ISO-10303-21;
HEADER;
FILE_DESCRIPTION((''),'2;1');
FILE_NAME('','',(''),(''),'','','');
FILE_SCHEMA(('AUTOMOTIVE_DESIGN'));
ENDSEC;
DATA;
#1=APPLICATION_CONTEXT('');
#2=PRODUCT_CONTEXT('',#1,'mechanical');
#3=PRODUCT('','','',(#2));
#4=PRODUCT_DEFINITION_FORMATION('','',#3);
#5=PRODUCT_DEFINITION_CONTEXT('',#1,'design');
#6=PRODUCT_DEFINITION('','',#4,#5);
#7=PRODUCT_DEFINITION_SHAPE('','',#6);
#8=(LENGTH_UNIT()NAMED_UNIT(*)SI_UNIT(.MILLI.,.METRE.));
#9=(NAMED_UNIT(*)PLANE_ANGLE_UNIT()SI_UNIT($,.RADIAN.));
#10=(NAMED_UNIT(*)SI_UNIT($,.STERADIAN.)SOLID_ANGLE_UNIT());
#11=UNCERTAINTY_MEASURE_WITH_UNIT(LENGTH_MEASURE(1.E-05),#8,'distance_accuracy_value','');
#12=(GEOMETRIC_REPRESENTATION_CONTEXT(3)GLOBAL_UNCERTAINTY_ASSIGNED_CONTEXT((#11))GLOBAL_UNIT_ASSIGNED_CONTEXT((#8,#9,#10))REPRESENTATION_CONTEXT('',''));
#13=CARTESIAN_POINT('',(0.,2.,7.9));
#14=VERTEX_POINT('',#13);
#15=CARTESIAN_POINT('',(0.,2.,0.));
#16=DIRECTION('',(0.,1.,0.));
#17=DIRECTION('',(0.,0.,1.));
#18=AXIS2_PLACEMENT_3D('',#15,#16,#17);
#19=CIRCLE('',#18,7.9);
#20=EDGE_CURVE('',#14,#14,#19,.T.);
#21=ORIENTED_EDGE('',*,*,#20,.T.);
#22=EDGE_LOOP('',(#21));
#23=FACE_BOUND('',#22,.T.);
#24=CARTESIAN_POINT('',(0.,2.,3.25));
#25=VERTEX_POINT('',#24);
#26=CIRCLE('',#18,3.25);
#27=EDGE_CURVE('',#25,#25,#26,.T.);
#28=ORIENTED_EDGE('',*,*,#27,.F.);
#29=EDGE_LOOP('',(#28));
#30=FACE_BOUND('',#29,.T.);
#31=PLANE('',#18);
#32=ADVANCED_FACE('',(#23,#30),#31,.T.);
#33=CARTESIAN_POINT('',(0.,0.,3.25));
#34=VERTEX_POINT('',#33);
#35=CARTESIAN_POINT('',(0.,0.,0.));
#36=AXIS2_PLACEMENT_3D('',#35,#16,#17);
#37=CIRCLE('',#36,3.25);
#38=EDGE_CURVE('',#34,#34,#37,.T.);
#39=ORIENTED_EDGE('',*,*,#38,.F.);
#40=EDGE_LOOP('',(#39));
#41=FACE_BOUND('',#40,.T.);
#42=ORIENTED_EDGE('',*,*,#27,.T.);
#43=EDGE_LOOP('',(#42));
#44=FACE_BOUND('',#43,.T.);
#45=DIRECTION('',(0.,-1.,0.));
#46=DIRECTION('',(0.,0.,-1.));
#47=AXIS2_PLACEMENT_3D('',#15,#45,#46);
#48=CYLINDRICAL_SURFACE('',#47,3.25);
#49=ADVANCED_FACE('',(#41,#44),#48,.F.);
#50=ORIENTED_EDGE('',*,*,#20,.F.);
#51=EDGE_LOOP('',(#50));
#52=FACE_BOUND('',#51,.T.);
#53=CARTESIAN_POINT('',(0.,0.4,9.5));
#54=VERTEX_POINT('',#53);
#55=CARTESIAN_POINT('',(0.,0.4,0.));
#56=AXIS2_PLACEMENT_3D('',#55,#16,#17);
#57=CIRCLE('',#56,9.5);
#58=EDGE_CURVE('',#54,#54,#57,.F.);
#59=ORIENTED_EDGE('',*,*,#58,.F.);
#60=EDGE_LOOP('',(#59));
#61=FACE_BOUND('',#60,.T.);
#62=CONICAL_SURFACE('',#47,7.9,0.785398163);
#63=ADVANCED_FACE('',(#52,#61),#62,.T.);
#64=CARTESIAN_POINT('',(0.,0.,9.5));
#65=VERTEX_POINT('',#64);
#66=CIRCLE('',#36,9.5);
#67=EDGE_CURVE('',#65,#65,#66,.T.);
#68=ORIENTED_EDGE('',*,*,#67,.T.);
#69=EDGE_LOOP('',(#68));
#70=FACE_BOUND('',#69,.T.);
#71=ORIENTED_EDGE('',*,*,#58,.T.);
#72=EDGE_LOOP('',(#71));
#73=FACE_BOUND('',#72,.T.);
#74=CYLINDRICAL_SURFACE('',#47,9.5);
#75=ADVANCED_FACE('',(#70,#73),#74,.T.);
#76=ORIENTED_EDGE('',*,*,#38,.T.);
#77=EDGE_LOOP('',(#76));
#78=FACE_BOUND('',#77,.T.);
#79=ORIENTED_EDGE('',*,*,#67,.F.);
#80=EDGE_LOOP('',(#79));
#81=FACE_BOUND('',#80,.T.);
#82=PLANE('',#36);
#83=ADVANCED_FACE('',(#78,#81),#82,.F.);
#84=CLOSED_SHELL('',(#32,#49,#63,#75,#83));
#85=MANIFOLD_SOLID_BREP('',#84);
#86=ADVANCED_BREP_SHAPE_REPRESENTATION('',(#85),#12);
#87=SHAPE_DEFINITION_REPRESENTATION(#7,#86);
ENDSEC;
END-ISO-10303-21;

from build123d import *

# Parameters (mm, degrees)
SKIZZE1_R                       = 9.5
SKIZZE1_R_2                     = 3.25
AUFSATZ_LINEAR_AUSTRAGEN1_DEPTH = 2
FASE1_SIZE                      = 1.6


with BuildPart() as part:
    # Skizze1 → Aufsatz-Linear austragen1 (new body)
    with BuildSketch(Plane(origin=(0, 0, 0), x_dir=(1, 0, 0), z_dir=(0, 1, 0))):
        with Locations(Location((0, 0, 0), (0, 0, 270))):
            Circle(SKIZZE1_R)
        with Locations(Location((0, 0, 0), (0, 0, 270))):
            Circle(SKIZZE1_R_2, mode=Mode.SUBTRACT)
    extrude(amount=AUFSATZ_LINEAR_AUSTRAGEN1_DEPTH)

    # Fase1
    fase1_edges = [part.edges().sort_by_distance(p)[0] for p in [
        (0, 2, -9.5),
    ]]
    chamfer(fase1_edges, length=FASE1_SIZE)


solid = part.part
